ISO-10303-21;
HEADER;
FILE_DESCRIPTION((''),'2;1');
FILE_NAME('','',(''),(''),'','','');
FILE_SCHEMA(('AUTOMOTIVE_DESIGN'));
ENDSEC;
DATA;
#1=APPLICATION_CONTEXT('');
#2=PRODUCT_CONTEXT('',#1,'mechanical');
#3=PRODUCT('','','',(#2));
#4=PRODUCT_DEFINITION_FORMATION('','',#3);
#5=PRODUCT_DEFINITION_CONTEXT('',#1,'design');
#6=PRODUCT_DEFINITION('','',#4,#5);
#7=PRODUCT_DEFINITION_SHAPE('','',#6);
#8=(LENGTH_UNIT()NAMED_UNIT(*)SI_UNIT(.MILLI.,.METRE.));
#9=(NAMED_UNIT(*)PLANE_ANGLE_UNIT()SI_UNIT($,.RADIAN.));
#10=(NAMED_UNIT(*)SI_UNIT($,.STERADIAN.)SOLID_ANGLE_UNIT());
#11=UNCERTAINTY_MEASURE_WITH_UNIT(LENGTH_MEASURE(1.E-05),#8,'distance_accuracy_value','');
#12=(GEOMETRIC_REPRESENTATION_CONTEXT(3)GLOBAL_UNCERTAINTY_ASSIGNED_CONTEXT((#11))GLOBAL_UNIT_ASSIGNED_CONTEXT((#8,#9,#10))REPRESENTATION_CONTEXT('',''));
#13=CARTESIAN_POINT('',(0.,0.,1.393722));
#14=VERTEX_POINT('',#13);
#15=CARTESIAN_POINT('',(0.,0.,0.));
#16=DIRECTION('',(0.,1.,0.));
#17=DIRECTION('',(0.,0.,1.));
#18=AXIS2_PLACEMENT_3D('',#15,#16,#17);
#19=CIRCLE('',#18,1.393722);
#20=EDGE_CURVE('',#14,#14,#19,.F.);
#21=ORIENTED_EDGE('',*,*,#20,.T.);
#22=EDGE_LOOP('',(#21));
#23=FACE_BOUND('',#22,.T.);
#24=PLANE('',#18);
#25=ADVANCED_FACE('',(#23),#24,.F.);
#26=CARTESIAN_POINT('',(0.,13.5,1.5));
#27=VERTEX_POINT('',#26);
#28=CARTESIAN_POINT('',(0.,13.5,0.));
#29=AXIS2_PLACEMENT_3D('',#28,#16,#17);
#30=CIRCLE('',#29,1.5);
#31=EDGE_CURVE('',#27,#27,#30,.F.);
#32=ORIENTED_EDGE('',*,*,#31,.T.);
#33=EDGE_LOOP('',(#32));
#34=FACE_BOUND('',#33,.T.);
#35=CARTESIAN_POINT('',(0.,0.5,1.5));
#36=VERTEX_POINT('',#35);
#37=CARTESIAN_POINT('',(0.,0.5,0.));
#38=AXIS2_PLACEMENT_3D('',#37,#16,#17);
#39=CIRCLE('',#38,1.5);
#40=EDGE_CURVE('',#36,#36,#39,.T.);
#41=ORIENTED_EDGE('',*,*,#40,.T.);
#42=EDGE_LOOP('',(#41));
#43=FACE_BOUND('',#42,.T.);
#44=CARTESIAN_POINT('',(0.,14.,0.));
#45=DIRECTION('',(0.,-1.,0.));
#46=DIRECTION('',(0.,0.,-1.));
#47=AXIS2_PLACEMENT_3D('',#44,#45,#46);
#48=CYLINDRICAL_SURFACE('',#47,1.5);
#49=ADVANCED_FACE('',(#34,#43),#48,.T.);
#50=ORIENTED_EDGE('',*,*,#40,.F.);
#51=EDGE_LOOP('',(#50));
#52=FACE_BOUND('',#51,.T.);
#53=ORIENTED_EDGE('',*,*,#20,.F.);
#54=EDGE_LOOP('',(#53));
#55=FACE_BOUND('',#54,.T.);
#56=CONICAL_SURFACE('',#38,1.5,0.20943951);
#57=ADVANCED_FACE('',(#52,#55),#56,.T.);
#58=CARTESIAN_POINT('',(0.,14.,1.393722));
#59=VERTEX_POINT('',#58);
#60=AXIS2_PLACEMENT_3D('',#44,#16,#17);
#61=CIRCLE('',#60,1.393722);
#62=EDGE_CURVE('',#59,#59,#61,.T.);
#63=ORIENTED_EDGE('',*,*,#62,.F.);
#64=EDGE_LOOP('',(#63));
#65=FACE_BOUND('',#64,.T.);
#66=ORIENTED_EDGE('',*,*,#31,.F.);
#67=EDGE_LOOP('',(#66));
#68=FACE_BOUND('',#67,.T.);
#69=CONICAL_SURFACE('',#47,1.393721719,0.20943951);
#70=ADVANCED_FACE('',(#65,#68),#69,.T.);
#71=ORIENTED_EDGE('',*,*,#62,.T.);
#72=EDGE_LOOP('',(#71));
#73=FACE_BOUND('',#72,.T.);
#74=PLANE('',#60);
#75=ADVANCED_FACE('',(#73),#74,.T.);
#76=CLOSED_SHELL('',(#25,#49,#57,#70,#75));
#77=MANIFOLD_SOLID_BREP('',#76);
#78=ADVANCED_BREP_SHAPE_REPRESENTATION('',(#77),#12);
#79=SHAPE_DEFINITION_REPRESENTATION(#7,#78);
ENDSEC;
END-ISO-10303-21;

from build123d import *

# Parameters (mm, degrees)
SKETCH1_R           = 1.5
BOSS_EXTRUDE1_DEPTH = 14
CHAMFER1_SIZE       = 0.5
CHAMFER1_SIZE2      = 0.106278281
CHAMFER2_SIZE       = 0.5
CHAMFER2_SIZE2      = 0.106278281


with BuildPart() as part:
    # Sketch1 → Boss-Extrude1 (new body)
    with BuildSketch(Plane(origin=(0, 0, 0), x_dir=(1, 0, 0), z_dir=(0, 1, 0))):
        Circle(SKETCH1_R)
    extrude(amount=BOSS_EXTRUDE1_DEPTH)

    # Chamfer1
    chamfer1_edges = [part.edges().sort_by_distance(p)[0] for p in [
        (-1.5, 14, 0),
    ]]
    chamfer1_side = [part.faces().sort_by_distance(p)[0] for p in [
        (-1.5, 7, 0),
    ]]
    chamfer(chamfer1_edges, length=CHAMFER1_SIZE, length2=CHAMFER1_SIZE2, reference=chamfer1_side[0])

    # Chamfer2
    chamfer2_edges = [part.edges().sort_by_distance(p)[0] for p in [
        (-1.5, 0, 0),
    ]]
    chamfer2_side = [part.faces().sort_by_distance(p)[0] for p in [
        (-1.5, 6.75, 0),
    ]]
    chamfer(chamfer2_edges, length=CHAMFER2_SIZE, length2=CHAMFER2_SIZE2, reference=chamfer2_side[0])


solid = part.part
